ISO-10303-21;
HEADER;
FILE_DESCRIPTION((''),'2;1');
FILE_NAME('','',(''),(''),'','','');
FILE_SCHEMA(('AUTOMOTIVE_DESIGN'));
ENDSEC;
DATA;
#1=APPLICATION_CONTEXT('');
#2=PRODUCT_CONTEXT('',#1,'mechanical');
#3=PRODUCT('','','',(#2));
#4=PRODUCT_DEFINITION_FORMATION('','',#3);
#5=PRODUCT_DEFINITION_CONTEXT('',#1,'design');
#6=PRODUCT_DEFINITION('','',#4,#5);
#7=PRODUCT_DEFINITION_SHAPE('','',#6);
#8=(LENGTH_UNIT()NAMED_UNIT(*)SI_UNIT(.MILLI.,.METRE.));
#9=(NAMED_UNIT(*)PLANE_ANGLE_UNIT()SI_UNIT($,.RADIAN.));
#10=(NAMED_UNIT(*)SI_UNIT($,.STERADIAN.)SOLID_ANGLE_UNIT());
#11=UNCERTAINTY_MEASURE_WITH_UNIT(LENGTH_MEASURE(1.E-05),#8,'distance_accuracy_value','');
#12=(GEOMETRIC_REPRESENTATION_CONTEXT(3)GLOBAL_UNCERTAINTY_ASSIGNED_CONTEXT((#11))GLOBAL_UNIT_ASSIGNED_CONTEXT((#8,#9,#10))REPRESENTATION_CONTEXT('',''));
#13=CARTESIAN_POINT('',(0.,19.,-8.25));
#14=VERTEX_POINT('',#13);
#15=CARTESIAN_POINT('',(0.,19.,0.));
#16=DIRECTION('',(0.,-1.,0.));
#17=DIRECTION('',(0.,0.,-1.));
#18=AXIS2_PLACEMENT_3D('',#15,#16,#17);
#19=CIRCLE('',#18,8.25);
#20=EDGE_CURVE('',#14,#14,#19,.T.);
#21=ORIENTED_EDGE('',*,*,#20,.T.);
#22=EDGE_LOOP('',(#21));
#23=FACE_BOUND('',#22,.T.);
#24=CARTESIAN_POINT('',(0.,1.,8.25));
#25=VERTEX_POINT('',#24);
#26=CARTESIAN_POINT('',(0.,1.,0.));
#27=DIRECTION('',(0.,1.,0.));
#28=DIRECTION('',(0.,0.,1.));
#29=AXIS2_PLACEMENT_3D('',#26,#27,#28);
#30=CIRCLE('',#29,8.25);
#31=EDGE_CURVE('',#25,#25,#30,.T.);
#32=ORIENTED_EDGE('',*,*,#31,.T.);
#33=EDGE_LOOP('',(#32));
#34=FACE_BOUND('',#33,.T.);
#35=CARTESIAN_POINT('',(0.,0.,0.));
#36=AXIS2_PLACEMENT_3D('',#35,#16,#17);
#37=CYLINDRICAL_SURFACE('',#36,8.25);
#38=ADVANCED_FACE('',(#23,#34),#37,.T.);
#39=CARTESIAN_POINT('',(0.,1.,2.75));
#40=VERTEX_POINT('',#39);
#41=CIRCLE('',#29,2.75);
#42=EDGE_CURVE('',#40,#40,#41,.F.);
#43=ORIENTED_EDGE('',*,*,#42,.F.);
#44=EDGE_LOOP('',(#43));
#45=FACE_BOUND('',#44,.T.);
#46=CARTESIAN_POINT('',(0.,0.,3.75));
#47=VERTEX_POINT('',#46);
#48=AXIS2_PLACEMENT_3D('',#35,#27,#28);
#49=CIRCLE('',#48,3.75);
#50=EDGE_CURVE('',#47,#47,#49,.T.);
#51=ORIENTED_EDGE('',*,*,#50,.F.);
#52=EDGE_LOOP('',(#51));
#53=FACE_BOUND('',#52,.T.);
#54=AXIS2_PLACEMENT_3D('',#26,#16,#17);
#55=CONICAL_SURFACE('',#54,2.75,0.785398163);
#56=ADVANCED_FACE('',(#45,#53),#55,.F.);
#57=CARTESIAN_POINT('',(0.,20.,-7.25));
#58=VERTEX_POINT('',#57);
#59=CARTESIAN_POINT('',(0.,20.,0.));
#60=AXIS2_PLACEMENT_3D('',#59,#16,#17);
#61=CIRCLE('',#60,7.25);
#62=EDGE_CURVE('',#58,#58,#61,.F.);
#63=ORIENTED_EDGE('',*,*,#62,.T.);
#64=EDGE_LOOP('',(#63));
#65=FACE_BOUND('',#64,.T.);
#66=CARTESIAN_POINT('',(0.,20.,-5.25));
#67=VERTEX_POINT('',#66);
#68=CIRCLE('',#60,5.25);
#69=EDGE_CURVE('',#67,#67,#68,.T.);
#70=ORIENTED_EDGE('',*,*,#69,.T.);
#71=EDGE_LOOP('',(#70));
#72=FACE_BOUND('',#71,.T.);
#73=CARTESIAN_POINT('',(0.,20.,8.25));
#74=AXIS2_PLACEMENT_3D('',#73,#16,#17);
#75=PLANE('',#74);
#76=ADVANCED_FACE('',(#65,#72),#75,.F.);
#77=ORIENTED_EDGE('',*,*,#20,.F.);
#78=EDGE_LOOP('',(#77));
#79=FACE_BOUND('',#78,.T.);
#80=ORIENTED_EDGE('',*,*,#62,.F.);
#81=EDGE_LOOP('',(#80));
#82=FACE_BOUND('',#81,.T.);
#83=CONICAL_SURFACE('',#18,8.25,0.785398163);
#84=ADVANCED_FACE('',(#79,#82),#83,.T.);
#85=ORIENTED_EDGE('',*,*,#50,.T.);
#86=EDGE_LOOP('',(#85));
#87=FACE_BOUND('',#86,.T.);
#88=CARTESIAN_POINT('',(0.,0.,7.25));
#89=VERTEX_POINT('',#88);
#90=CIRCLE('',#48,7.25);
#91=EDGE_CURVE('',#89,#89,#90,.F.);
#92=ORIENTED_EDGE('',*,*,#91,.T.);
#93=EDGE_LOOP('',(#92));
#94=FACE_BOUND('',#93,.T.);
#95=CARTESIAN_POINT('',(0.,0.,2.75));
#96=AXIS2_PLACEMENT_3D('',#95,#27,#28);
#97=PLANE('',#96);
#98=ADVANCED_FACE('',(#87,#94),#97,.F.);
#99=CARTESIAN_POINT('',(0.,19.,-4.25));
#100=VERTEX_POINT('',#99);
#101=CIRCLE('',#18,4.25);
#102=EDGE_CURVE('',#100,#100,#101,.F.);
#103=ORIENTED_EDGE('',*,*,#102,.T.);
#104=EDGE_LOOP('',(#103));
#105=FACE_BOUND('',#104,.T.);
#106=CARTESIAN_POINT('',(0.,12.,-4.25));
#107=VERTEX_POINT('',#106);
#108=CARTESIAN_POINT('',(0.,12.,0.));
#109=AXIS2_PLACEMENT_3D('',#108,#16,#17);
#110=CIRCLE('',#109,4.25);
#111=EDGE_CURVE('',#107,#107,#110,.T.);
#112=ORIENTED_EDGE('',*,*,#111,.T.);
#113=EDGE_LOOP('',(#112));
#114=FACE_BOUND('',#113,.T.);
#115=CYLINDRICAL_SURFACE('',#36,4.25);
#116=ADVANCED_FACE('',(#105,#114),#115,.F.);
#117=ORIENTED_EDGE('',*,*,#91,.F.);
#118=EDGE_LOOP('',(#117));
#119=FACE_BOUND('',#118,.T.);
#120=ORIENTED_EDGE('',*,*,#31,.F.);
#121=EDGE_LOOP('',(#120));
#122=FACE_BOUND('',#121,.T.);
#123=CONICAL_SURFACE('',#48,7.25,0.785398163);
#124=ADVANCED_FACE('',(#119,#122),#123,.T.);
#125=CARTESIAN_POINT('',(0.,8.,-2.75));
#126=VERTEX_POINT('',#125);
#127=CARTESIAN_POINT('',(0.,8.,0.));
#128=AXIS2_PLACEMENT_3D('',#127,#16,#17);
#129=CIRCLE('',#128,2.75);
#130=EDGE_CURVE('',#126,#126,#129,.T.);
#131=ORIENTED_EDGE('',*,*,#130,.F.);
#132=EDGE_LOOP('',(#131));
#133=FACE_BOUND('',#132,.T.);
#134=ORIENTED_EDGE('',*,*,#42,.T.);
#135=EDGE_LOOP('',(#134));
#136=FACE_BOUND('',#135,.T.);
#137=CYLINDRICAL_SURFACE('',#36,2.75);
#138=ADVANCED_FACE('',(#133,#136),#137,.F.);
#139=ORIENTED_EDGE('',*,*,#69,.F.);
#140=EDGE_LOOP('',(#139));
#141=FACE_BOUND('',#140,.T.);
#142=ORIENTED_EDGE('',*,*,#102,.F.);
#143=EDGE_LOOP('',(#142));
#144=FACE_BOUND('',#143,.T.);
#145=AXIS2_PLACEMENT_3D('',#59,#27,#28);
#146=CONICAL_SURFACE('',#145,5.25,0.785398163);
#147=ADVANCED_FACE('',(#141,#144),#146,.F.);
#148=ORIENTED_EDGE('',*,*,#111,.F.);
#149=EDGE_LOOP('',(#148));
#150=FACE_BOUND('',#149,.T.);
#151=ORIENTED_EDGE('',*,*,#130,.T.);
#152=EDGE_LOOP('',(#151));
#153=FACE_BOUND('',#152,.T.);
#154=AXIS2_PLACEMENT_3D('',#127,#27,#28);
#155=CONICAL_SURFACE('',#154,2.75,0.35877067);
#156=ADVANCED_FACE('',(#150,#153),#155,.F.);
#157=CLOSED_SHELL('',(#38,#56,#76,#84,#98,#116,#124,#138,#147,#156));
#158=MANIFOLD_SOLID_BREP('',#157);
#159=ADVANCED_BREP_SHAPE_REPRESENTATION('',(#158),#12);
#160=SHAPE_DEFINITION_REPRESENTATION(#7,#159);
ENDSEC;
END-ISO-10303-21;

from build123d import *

# Parameters (mm, degrees)
CHAMFER1_SIZE = 1


with BuildPart() as part:
    # Sketch1 → Revolve1 (revolve)
    with BuildSketch(Plane(origin=(0, 0, 0), x_dir=(0, 0, -1), z_dir=(1, 0, 0)), mode=Mode.PRIVATE) as revolve1_sk:
        Polygon((-4.25, 20), (-4.25, 12), (-2.75, 8), (-2.75, 0), (-8.25, 0), (-8.25, 20), align=None)
    revolve(revolve1_sk.sketch.rotate(Axis((0, 0, 0), (0, 1, 0)), 180), axis=Axis((0, 0, 0), (0, 1, 0)))

    # Chamfer1
    chamfer1_edges = [part.edges().sort_by_distance(p)[0] for p in [
        (0, 20, 8.25),
        (0, 0, 8.25),
        (0, 0, 2.75),
        (0, 20, 4.25),
    ]]
    chamfer(chamfer1_edges, length=CHAMFER1_SIZE)


solid = part.part
